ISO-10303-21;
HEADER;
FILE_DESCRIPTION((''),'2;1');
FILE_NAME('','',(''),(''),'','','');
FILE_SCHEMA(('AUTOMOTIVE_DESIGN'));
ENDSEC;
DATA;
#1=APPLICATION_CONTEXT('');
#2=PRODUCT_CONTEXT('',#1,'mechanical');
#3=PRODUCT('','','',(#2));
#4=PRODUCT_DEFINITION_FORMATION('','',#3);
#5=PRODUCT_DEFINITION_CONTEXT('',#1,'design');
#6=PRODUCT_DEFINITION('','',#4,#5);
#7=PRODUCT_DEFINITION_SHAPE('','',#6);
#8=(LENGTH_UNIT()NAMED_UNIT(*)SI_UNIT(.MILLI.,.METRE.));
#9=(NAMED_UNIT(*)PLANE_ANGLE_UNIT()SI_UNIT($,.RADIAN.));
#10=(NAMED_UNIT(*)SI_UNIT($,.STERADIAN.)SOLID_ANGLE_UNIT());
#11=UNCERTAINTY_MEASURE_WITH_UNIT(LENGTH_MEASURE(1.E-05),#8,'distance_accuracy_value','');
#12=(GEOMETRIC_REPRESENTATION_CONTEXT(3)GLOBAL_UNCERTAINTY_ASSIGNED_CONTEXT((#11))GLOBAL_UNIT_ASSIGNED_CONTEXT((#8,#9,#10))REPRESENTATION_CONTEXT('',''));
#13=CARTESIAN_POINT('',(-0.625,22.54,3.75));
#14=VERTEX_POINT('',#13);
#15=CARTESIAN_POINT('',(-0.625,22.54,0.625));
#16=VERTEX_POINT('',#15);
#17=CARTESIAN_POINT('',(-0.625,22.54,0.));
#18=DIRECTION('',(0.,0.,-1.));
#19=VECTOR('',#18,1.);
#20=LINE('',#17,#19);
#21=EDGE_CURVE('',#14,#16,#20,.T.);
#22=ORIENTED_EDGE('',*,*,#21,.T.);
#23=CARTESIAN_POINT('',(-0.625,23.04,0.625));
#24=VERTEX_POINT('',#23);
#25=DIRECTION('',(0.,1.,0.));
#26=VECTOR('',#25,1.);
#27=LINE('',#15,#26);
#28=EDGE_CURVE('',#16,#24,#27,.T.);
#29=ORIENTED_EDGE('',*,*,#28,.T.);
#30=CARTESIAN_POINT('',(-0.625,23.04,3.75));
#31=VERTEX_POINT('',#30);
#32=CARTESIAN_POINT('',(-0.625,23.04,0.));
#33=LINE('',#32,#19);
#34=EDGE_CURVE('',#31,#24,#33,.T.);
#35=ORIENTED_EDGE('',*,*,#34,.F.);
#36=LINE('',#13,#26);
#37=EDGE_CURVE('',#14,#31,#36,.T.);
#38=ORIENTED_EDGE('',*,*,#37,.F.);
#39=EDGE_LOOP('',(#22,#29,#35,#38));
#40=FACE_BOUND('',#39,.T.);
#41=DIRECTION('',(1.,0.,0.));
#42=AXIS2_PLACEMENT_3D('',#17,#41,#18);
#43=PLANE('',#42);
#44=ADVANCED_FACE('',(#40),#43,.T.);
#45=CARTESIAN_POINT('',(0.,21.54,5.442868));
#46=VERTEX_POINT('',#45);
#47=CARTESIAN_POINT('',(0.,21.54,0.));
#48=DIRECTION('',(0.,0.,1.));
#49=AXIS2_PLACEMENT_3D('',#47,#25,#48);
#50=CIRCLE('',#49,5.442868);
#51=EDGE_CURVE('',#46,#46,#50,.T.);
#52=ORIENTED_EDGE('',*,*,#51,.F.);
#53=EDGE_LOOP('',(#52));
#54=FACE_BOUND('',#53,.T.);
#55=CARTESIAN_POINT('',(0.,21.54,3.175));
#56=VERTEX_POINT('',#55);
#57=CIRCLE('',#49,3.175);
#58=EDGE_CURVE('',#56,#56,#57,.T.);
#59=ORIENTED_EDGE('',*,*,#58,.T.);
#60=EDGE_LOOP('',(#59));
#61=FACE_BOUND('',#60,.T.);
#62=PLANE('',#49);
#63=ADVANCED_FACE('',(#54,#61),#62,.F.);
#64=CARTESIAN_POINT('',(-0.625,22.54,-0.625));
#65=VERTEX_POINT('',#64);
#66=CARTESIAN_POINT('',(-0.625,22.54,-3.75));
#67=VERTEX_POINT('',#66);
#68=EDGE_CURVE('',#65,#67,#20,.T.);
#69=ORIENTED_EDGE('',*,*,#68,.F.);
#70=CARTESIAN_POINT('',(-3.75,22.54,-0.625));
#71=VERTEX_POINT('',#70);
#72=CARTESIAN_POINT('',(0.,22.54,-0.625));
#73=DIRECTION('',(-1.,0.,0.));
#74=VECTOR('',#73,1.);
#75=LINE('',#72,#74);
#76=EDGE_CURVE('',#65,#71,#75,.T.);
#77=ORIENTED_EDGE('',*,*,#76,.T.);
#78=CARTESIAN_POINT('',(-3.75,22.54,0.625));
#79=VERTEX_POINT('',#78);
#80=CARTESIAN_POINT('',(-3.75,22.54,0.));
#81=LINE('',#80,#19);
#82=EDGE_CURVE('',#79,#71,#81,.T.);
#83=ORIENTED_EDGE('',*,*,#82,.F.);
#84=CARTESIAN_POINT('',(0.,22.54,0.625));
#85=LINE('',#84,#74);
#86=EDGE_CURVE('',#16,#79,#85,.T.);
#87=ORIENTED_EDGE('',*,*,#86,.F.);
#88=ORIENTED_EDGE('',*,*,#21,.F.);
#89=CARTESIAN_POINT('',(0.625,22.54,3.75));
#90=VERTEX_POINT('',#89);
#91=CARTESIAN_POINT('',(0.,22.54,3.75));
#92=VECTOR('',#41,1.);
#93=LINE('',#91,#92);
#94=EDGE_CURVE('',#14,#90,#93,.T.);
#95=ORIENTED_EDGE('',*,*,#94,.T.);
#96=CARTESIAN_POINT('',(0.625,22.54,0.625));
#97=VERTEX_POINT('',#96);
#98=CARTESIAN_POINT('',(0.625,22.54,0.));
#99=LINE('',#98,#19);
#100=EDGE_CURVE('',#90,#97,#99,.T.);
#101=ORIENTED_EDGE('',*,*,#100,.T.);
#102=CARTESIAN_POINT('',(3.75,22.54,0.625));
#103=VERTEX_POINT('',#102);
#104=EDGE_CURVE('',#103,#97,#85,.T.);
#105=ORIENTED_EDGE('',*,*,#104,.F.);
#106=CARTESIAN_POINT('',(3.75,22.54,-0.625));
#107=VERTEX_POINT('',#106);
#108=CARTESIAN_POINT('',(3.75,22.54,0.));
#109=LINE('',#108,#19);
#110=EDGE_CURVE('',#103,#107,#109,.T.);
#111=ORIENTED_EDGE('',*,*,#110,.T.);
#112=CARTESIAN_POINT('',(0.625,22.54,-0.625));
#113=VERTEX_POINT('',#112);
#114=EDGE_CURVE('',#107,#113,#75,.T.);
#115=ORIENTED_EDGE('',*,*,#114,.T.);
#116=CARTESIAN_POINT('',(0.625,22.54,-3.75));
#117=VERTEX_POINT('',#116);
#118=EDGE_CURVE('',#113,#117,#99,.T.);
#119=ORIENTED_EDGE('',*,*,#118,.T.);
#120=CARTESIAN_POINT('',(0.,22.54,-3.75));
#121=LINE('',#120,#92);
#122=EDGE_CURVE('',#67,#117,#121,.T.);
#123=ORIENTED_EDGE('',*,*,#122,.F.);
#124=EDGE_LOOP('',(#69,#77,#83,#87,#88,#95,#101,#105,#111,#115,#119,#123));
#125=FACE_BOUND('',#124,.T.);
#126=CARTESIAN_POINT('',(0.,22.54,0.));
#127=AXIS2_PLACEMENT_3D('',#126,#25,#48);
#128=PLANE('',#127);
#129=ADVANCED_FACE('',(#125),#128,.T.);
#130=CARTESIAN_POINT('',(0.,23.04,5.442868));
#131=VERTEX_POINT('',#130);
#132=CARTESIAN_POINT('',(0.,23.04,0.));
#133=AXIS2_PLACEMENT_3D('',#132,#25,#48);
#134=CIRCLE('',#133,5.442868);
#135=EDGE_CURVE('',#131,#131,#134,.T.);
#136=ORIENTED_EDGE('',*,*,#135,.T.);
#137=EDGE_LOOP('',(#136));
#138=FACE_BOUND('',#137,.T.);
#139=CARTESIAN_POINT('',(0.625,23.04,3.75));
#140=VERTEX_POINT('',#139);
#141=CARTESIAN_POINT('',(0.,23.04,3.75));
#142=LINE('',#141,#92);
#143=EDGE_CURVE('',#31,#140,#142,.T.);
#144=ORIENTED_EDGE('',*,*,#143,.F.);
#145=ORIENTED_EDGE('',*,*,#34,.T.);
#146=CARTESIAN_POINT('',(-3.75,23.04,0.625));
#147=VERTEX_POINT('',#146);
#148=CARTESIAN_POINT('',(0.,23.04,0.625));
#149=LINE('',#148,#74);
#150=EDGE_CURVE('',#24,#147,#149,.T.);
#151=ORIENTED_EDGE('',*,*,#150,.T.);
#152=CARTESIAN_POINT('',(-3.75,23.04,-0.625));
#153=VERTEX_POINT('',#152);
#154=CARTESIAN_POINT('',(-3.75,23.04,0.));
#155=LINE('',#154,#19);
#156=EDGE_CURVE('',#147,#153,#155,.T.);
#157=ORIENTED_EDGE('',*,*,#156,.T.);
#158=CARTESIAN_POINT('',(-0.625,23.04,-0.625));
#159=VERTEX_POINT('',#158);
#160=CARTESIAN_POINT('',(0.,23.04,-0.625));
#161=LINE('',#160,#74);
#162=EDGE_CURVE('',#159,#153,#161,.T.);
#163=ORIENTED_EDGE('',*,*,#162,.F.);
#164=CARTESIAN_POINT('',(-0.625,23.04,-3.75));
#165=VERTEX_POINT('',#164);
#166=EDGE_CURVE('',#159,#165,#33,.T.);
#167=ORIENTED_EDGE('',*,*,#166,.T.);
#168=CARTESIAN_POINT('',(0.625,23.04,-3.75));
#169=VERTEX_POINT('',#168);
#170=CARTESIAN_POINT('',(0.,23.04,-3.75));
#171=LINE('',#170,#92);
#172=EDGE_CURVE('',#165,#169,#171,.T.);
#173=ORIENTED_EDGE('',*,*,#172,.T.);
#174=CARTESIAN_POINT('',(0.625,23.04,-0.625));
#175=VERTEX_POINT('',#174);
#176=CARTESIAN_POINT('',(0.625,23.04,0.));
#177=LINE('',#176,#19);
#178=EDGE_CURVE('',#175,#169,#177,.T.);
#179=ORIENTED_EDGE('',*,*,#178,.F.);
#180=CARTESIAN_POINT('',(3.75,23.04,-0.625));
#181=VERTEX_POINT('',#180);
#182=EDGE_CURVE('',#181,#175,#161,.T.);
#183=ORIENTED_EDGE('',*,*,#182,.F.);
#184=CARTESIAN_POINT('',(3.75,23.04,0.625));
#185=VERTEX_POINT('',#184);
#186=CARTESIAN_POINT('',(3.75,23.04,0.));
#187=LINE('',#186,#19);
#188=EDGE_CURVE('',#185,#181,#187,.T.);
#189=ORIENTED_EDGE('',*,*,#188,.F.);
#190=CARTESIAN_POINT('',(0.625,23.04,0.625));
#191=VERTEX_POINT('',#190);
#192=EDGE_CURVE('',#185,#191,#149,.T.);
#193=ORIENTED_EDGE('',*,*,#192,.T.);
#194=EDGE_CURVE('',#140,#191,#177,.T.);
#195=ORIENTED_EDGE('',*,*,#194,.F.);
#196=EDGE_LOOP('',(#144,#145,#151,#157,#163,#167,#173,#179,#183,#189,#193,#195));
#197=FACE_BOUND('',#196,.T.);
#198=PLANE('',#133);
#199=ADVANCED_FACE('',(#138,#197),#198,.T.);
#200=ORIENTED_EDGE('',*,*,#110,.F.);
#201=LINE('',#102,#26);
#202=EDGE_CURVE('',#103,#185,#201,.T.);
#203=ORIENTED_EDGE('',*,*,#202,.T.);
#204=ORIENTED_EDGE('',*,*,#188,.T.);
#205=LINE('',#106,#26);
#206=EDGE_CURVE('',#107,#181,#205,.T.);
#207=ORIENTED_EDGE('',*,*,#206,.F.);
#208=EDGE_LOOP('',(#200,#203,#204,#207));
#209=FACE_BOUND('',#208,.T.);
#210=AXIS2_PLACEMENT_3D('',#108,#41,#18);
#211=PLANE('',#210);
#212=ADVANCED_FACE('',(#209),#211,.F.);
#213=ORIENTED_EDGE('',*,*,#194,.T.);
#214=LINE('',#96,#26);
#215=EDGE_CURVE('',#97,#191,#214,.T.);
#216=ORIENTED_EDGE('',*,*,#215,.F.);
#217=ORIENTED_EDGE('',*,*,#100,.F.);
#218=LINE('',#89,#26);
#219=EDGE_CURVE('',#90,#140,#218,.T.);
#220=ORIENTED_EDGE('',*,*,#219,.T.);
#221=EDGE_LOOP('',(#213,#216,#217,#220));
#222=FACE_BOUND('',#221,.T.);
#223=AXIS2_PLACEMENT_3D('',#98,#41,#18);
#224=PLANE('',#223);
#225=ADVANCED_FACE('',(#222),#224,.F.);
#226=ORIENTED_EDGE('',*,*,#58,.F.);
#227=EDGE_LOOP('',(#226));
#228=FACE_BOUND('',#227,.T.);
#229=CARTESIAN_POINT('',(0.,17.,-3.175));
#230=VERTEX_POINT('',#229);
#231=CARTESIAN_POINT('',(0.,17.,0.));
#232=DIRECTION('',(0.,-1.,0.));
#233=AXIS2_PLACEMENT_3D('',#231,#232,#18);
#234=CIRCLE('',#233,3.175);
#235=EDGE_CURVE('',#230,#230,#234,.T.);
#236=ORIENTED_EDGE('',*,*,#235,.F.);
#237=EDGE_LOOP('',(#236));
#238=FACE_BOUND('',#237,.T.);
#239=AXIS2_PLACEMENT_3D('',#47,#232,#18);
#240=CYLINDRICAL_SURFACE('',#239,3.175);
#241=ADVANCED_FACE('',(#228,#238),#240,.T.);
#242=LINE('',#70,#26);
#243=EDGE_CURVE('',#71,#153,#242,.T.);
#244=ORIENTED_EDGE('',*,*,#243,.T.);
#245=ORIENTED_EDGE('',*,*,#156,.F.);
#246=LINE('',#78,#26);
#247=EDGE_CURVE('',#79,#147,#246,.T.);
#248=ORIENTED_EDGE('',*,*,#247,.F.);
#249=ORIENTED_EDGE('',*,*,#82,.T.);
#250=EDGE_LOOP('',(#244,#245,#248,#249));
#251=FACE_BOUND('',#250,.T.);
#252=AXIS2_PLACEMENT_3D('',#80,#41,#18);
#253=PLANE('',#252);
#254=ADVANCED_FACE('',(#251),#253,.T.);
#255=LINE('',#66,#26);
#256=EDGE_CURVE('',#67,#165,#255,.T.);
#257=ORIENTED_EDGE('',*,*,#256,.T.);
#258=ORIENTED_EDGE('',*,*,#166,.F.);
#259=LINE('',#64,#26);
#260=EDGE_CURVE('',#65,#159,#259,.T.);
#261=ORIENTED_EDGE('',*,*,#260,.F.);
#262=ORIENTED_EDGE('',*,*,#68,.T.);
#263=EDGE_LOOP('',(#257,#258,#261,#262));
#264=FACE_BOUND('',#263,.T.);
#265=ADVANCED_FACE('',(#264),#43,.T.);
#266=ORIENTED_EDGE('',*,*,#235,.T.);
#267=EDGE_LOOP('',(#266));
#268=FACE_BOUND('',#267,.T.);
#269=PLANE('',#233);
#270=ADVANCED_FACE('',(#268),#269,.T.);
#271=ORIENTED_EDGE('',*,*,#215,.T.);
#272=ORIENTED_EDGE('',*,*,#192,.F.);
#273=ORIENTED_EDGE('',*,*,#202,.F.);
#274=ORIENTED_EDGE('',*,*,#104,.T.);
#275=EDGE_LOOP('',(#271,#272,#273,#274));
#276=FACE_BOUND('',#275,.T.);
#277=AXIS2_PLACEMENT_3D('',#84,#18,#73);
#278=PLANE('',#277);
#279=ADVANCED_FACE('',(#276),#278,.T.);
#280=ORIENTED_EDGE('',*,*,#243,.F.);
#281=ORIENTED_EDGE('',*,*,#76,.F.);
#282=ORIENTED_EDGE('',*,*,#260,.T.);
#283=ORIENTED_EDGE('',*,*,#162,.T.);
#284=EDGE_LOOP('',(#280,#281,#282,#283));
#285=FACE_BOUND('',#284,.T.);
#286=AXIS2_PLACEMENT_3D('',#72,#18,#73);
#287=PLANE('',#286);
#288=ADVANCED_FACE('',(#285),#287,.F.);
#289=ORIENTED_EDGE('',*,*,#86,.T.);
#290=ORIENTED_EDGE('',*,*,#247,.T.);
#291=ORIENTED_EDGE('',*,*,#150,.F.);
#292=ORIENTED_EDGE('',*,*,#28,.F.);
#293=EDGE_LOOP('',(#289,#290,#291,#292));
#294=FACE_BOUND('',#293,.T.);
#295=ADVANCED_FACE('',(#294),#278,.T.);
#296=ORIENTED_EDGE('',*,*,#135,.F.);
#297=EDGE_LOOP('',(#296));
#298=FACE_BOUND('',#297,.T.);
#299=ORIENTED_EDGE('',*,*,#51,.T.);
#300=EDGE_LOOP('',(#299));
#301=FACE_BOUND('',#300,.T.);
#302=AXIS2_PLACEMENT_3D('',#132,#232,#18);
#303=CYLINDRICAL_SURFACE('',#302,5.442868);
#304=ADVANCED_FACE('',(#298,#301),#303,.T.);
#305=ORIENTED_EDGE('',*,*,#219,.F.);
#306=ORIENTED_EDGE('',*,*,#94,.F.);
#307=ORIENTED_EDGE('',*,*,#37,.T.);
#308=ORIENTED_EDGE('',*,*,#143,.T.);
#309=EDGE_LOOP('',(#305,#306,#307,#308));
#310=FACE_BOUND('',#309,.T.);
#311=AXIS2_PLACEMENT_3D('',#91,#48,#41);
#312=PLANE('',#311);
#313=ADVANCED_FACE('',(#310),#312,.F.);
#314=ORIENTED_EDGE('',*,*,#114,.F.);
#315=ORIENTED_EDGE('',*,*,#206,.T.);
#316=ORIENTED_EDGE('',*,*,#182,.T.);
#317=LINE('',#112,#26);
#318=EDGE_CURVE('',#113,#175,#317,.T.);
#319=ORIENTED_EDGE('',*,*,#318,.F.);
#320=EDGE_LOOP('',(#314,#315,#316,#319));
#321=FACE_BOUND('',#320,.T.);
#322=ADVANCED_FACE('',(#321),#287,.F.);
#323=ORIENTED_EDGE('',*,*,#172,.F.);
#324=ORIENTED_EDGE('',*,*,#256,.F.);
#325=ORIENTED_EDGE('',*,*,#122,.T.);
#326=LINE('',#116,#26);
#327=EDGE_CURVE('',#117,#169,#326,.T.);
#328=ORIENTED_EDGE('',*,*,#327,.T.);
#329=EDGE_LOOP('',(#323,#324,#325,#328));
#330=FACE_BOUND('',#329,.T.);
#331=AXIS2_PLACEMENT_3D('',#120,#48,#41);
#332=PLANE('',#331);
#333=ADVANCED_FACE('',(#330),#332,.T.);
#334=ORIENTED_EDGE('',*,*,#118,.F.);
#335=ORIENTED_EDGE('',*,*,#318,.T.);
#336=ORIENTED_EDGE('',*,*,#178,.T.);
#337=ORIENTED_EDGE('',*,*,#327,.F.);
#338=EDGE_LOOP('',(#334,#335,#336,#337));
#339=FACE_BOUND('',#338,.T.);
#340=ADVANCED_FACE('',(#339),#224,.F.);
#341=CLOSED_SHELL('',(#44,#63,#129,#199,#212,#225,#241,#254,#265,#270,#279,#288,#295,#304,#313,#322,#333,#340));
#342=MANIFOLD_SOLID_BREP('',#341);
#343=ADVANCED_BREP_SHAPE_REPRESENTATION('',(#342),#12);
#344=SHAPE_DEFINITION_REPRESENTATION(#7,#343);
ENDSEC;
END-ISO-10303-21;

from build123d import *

# Parameters (mm, degrees)
SKETCH1_R           = 3.175
BOSS_EXTRUDE1_DEPTH = 21.54
SKETCH2_R           = 5.442868
BOSS_EXTRUDE2_DEPTH = 1.5
SKETCH3_W           = 1.25
SKETCH3_H           = 3.125
SKETCH3_W_2         = 3.125
SKETCH3_H_2         = 1.25
CUT_EXTRUDE2_DEPTH  = 0.5
SKETCH4_R           = 3.175
CUT_EXTRUDE3_DEPTH  = 17


with BuildPart() as part:
    # Sketch1 → Boss-Extrude1 (new body)
    with BuildSketch(Plane(origin=(0, 0, 0), x_dir=(1, 0, 0), z_dir=(0, 1, 0))):
        with Locations(Location((0, 0, 0), (0, 0, 270))):
            Circle(SKETCH1_R)
    extrude(amount=BOSS_EXTRUDE1_DEPTH)

    # Sketch2 → Boss-Extrude2 (add)
    with BuildSketch(Plane(origin=(0, 21.54, 0), x_dir=(1, 0, 0), z_dir=(0, 1, 0))):
        with Locations(Location((0, 0, 0), (0, 0, 270))):
            Circle(SKETCH2_R)
    extrude(amount=BOSS_EXTRUDE2_DEPTH)

    # Sketch3 → Cut-Extrude2 (cut)
    with BuildSketch(Plane(origin=(0, 23.04, 0), x_dir=(1, 0, 0), z_dir=(0, 1, 0))):
        with Locations((0, -2.1875)):
            Rectangle(SKETCH3_W, SKETCH3_H)
        with Locations((-2.1875, 0)):
            Rectangle(SKETCH3_W_2, SKETCH3_H_2)
        with Locations((0, 2.1875)):
            Rectangle(SKETCH3_W, SKETCH3_H)
        with Locations((2.1875, 0)):
            Rectangle(SKETCH3_W_2, SKETCH3_H_2)
        Rectangle(SKETCH3_W, SKETCH3_H_2)
    extrude(amount=-CUT_EXTRUDE2_DEPTH, mode=Mode.SUBTRACT)

    # Sketch4 → Cut-Extrude3 (cut)
    with BuildSketch(Plane.XZ):
        with Locations(Location((0, 0, 0), (0, 0, 270))):
            Circle(SKETCH4_R)
    extrude(amount=-CUT_EXTRUDE3_DEPTH, mode=Mode.SUBTRACT)


solid = part.part
